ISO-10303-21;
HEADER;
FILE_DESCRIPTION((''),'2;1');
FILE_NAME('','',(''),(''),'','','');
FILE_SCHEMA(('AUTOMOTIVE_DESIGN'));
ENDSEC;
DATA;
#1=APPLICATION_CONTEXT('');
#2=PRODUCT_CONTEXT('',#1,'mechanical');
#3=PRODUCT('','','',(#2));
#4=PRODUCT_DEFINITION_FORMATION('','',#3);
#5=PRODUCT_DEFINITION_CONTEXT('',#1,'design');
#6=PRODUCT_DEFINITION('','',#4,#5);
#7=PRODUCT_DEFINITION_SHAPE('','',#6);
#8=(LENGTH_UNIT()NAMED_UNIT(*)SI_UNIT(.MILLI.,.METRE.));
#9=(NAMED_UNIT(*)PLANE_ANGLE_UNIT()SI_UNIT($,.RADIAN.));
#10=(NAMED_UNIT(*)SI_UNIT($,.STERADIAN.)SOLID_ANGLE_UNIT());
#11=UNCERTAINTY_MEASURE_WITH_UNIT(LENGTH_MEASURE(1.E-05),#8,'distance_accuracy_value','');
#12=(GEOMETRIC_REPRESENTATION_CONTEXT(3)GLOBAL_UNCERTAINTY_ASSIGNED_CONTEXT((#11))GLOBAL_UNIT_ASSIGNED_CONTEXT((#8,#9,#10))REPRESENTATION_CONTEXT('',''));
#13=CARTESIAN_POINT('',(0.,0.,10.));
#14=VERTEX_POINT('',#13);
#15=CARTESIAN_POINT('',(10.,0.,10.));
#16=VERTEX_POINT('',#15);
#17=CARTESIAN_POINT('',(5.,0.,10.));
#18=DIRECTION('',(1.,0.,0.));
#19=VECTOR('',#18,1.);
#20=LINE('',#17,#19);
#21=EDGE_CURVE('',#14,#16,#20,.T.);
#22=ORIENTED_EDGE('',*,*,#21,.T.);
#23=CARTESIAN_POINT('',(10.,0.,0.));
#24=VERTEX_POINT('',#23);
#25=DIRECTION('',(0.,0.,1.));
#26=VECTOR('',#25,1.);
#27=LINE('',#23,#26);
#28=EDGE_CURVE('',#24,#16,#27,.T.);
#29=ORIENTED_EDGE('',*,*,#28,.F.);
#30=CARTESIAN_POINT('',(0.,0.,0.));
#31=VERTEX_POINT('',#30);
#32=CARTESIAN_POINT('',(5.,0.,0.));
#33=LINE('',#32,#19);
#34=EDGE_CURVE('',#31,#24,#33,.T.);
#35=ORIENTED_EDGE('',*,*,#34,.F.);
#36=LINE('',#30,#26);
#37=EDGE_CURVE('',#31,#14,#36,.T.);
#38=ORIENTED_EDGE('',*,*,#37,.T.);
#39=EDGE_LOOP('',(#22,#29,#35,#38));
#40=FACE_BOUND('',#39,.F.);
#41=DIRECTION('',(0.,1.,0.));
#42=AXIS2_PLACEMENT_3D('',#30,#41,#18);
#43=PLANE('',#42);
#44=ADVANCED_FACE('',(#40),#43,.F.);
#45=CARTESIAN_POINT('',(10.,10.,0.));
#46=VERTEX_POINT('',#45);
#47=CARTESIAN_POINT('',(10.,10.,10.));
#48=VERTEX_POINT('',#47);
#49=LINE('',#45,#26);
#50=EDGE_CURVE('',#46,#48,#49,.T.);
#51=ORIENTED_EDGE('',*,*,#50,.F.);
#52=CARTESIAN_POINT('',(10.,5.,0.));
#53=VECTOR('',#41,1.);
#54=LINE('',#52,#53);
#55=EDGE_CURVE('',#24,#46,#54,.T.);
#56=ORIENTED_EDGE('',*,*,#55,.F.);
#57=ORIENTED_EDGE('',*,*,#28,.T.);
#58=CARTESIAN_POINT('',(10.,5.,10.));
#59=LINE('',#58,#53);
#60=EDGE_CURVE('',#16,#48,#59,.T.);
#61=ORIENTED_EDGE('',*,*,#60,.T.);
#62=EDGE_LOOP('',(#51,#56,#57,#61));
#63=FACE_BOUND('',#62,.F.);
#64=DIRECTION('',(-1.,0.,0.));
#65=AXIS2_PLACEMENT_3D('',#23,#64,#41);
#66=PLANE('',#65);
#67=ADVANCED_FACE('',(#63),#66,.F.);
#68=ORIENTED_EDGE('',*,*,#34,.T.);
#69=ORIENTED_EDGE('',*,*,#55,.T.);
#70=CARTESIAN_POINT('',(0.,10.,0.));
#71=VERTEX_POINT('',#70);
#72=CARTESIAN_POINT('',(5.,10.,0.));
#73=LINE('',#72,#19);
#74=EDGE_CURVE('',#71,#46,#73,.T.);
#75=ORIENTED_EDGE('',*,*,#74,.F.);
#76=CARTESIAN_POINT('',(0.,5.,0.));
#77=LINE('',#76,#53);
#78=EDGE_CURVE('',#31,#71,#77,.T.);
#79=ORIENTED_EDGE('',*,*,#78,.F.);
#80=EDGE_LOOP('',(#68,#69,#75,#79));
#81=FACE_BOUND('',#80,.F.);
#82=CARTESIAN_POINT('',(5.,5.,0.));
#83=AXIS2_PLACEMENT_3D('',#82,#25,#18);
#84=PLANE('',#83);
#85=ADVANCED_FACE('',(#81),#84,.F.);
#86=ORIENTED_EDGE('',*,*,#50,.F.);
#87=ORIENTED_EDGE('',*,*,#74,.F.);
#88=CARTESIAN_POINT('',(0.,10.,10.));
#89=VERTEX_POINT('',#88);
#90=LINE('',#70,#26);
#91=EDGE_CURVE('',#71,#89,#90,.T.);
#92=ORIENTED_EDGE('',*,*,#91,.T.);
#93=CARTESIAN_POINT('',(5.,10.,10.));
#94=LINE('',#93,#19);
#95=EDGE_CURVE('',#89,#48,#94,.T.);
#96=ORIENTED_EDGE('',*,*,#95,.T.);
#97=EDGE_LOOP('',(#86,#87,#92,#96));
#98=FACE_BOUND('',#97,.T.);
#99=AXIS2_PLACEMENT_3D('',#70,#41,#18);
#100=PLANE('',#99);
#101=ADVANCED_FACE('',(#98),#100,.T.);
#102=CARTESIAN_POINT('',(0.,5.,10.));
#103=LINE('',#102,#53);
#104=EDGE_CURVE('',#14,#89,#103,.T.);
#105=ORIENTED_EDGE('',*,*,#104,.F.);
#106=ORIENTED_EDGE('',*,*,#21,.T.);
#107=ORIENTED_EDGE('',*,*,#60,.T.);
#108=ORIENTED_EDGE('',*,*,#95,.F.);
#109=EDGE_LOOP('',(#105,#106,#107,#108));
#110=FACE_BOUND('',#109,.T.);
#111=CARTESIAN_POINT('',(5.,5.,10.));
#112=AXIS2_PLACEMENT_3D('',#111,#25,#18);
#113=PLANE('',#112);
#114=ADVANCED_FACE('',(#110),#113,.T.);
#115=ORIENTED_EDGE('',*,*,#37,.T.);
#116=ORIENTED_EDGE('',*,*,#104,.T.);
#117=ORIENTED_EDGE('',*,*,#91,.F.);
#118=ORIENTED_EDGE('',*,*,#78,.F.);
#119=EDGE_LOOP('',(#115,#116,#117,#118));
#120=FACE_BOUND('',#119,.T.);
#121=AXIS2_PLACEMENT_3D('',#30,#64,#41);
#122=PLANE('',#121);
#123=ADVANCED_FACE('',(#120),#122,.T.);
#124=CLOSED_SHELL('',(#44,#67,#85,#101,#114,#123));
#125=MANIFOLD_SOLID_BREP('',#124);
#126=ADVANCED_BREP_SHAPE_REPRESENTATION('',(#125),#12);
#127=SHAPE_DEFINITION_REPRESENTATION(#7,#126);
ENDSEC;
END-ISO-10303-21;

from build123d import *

# Parameters (mm, degrees)
BOX_W     = 10
BOX_H     = 10
BOX_DEPTH = 10


with BuildPart() as part:
    # Box → Box (join)
    with BuildSketch(Plane.XY):
        with Locations((5, 5)):
            Rectangle(BOX_W, BOX_H)
    extrude(amount=BOX_DEPTH)


solid = part.part
